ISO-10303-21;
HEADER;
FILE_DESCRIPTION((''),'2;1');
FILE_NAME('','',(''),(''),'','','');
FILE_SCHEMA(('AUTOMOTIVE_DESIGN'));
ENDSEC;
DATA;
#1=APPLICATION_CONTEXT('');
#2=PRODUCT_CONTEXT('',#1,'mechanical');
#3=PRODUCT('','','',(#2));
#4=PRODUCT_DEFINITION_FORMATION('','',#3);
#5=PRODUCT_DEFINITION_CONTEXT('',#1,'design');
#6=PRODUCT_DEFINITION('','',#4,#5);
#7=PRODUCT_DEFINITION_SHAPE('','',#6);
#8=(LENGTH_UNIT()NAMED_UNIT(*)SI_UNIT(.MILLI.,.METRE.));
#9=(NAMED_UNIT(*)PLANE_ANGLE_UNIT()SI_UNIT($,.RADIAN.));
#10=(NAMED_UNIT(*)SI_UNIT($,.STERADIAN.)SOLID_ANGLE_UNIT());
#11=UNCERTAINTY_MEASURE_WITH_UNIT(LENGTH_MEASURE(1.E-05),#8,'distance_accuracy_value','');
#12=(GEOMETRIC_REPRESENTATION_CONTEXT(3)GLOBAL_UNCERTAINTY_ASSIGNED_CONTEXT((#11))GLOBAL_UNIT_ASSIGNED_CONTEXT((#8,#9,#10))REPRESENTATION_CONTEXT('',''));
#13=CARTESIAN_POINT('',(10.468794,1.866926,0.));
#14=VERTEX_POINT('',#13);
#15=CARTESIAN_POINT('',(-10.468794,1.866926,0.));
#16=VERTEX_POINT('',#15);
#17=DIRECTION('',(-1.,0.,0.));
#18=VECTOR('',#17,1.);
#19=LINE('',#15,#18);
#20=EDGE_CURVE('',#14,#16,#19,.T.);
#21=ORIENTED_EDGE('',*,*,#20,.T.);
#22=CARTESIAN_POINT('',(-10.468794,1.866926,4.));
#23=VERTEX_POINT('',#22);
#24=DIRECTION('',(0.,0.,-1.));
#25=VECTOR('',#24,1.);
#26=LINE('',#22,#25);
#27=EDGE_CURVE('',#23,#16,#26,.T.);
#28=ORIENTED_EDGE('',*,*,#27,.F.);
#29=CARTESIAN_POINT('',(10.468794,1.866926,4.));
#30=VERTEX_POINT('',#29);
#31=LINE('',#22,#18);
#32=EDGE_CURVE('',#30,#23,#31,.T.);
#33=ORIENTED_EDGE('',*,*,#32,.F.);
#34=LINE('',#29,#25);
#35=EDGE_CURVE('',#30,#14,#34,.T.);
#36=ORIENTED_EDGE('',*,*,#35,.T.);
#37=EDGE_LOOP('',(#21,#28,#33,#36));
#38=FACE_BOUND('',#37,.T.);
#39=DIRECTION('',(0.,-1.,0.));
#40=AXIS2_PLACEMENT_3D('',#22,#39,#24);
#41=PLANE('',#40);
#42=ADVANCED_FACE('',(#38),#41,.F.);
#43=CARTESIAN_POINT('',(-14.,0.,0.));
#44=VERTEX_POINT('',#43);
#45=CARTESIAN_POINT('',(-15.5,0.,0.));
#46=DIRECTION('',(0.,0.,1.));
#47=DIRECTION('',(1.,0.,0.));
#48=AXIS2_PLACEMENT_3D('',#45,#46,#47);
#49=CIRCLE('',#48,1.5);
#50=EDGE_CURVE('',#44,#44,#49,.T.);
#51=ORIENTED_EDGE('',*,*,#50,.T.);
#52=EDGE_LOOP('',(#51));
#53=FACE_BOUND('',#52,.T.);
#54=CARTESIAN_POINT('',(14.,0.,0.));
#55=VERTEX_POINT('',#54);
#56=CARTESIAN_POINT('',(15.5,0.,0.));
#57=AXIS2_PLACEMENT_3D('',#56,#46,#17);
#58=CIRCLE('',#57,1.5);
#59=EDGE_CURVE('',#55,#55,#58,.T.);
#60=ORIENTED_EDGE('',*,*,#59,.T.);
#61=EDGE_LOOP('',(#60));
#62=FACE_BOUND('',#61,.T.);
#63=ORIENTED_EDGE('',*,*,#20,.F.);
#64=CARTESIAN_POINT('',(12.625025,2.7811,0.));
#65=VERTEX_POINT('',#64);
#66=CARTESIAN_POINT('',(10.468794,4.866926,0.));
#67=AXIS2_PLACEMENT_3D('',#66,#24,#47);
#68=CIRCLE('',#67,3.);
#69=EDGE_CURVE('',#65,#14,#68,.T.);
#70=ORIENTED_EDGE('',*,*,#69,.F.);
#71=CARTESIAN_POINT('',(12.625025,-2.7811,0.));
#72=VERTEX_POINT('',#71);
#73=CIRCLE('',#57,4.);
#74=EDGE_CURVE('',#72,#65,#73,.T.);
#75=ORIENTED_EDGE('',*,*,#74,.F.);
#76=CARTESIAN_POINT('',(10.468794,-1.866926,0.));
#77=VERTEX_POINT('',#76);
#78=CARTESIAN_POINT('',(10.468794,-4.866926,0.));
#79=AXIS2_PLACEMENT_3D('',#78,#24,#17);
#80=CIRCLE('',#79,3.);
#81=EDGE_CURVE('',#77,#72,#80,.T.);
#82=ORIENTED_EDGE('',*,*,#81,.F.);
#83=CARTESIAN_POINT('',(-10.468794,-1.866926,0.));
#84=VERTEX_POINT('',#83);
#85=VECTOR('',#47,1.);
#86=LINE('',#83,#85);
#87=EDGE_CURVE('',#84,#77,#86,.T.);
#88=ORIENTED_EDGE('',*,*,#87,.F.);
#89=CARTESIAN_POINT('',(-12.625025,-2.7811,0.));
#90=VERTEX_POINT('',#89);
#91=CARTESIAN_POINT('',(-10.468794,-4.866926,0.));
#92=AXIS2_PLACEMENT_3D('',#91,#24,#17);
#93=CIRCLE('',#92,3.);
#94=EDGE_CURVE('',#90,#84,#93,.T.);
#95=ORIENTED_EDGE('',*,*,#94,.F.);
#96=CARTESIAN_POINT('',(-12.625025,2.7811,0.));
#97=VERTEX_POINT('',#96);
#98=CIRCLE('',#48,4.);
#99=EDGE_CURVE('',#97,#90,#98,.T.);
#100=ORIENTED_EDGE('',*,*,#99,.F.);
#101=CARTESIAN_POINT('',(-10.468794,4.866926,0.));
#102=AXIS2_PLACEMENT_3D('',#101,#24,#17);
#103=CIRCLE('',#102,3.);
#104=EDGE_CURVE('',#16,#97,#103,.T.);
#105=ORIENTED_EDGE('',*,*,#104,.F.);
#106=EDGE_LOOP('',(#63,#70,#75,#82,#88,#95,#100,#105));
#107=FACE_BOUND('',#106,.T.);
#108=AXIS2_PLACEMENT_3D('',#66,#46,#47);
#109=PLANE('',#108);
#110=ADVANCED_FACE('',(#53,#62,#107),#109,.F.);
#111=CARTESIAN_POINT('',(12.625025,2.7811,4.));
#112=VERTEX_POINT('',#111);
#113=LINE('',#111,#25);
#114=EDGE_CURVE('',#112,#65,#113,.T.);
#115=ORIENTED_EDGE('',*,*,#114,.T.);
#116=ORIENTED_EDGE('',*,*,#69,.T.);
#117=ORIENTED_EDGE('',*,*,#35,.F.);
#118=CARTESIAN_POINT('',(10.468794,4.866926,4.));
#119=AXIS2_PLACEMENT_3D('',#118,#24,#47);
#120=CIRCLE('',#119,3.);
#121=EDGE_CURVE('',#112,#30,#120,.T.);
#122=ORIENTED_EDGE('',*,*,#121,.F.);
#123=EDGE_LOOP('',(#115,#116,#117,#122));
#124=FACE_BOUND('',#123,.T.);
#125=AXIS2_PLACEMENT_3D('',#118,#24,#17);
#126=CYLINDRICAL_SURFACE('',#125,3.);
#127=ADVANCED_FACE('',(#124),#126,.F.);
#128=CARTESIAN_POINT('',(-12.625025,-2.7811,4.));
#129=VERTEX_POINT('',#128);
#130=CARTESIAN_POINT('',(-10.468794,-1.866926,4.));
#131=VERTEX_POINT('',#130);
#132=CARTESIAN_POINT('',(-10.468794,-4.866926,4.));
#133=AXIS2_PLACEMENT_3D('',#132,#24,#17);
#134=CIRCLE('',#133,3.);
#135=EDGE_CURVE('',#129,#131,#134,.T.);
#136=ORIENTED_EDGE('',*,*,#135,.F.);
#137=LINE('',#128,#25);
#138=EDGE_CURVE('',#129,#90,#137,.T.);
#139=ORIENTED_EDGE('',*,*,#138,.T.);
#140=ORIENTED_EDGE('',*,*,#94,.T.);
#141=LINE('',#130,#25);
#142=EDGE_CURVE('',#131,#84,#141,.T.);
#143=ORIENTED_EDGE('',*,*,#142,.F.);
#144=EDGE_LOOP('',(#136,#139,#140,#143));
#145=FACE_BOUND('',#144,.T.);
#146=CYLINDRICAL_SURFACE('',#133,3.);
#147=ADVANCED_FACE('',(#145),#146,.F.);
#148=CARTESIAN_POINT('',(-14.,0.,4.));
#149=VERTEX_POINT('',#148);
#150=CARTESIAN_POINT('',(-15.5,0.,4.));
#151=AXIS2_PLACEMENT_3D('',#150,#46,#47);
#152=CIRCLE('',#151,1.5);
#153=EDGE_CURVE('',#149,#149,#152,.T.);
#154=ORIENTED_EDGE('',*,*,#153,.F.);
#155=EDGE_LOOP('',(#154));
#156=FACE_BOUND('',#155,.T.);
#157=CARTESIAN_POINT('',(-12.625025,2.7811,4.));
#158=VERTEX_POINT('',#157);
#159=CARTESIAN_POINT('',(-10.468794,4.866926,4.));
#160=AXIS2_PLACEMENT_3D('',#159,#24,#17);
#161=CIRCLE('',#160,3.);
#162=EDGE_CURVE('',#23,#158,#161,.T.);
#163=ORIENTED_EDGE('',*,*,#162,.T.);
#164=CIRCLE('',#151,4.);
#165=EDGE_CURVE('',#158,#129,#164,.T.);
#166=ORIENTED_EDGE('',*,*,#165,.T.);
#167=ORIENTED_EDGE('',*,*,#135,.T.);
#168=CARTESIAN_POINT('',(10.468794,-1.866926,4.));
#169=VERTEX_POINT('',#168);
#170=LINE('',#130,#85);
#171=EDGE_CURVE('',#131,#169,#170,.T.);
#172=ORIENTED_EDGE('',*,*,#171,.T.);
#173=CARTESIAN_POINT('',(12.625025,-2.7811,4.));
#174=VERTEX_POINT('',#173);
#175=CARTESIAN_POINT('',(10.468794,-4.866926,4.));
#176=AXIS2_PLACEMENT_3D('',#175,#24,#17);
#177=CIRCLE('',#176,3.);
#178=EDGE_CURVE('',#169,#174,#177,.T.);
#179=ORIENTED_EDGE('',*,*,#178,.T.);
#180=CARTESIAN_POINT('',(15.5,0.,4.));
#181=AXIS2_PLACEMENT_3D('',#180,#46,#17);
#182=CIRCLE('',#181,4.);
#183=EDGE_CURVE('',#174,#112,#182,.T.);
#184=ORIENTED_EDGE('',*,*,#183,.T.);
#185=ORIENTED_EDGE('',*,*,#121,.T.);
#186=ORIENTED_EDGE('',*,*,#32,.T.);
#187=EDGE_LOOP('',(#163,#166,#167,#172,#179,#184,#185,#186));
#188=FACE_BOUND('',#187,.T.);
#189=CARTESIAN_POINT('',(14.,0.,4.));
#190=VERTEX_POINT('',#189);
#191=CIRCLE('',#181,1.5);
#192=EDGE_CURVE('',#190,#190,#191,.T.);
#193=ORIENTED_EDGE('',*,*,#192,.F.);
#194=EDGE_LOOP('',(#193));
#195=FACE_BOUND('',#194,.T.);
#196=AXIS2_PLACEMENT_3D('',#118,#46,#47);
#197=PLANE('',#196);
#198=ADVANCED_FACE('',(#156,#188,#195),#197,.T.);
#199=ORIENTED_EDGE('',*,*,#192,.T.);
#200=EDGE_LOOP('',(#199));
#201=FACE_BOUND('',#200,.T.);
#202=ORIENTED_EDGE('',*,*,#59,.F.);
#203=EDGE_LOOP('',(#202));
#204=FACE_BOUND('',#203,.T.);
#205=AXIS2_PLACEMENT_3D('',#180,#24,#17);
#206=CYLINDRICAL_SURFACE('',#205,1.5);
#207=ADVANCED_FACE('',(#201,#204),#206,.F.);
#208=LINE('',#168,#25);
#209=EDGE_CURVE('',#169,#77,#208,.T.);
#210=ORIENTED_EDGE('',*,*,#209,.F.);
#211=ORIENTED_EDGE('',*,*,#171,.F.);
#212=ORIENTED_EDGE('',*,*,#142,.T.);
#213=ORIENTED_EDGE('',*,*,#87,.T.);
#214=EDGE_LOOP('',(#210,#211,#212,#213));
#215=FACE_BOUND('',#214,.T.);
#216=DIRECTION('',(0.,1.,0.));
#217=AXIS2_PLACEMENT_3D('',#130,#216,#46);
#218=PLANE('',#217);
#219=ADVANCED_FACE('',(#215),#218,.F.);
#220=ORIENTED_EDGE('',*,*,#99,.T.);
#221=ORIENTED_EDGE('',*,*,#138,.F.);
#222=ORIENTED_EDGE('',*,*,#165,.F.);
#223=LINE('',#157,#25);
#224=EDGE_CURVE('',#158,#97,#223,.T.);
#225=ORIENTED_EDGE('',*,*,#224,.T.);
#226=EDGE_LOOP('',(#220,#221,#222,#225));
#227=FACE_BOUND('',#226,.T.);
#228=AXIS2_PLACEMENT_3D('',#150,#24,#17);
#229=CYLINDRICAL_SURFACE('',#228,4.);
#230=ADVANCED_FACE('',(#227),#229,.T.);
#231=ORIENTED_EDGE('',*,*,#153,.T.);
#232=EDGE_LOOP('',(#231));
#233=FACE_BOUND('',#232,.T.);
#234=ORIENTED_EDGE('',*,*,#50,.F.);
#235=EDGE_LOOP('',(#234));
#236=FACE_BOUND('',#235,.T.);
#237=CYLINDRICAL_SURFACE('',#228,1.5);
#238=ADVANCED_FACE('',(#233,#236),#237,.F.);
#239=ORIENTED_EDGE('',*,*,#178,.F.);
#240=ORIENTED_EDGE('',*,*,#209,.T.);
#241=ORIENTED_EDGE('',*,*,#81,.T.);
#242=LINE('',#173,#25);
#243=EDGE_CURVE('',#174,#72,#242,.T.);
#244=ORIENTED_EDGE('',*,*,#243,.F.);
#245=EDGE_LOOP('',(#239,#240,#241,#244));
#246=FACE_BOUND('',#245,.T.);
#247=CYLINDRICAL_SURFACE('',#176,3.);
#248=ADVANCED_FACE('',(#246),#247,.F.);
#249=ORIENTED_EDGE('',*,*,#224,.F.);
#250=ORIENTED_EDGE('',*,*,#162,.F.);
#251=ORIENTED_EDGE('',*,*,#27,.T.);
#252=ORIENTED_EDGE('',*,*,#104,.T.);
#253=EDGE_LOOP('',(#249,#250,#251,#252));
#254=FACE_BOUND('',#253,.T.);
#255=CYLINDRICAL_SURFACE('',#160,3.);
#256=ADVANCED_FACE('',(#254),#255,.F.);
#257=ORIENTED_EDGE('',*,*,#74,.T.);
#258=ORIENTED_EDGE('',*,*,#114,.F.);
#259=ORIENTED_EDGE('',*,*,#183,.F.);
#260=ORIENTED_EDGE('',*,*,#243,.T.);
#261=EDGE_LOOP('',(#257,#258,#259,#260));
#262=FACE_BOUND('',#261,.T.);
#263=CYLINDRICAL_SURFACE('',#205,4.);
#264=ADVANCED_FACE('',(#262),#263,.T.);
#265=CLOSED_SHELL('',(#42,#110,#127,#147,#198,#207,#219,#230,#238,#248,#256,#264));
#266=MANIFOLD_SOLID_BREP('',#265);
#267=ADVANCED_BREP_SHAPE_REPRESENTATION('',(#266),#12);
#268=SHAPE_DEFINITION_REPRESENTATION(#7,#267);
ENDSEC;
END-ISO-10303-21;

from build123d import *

# Parameters (mm, degrees)
SKETCH1_R           = 1.5
BOSS_EXTRUDE1_DEPTH = 4


with BuildPart() as part:
    # Sketch1 → Boss-Extrude1 (new body)
    with BuildSketch(Plane.XY):
        with BuildLine():
            Line((-10.468793822, 1.866925558), (10.468793822, 1.866925558))
            ThreePointArc((10.468793822, 1.866925558), (11.639802849, 2.104908567), (12.625025041, 2.781100319))
            ThreePointArc((12.625025041, 2.781100319), (19.5, 0), (12.625025041, -2.781100319))
            ThreePointArc((12.625025041, -2.781100319), (11.639802849, -2.104908567), (10.468793822, -1.866925558))
            Line((10.468793822, -1.866925558), (-10.468793822, -1.866925558))
            ThreePointArc((-10.468793822, -1.866925558), (-11.639802849, -2.104908567), (-12.625025041, -2.781100319))
            ThreePointArc((-12.625025041, -2.781100319), (-19.5, 0), (-12.625025041, 2.781100319))
            ThreePointArc((-12.625025041, 2.781100319), (-11.639802849, 2.104908567), (-10.468793822, 1.866925558))
        make_face()
        with Locations((-15.5, 0)):
            Circle(SKETCH1_R, mode=Mode.SUBTRACT)
        with Locations(Location((15.5, 0, 0), (0, 0, 180))):
            Circle(SKETCH1_R, mode=Mode.SUBTRACT)
    extrude(amount=BOSS_EXTRUDE1_DEPTH)


solid = part.part
